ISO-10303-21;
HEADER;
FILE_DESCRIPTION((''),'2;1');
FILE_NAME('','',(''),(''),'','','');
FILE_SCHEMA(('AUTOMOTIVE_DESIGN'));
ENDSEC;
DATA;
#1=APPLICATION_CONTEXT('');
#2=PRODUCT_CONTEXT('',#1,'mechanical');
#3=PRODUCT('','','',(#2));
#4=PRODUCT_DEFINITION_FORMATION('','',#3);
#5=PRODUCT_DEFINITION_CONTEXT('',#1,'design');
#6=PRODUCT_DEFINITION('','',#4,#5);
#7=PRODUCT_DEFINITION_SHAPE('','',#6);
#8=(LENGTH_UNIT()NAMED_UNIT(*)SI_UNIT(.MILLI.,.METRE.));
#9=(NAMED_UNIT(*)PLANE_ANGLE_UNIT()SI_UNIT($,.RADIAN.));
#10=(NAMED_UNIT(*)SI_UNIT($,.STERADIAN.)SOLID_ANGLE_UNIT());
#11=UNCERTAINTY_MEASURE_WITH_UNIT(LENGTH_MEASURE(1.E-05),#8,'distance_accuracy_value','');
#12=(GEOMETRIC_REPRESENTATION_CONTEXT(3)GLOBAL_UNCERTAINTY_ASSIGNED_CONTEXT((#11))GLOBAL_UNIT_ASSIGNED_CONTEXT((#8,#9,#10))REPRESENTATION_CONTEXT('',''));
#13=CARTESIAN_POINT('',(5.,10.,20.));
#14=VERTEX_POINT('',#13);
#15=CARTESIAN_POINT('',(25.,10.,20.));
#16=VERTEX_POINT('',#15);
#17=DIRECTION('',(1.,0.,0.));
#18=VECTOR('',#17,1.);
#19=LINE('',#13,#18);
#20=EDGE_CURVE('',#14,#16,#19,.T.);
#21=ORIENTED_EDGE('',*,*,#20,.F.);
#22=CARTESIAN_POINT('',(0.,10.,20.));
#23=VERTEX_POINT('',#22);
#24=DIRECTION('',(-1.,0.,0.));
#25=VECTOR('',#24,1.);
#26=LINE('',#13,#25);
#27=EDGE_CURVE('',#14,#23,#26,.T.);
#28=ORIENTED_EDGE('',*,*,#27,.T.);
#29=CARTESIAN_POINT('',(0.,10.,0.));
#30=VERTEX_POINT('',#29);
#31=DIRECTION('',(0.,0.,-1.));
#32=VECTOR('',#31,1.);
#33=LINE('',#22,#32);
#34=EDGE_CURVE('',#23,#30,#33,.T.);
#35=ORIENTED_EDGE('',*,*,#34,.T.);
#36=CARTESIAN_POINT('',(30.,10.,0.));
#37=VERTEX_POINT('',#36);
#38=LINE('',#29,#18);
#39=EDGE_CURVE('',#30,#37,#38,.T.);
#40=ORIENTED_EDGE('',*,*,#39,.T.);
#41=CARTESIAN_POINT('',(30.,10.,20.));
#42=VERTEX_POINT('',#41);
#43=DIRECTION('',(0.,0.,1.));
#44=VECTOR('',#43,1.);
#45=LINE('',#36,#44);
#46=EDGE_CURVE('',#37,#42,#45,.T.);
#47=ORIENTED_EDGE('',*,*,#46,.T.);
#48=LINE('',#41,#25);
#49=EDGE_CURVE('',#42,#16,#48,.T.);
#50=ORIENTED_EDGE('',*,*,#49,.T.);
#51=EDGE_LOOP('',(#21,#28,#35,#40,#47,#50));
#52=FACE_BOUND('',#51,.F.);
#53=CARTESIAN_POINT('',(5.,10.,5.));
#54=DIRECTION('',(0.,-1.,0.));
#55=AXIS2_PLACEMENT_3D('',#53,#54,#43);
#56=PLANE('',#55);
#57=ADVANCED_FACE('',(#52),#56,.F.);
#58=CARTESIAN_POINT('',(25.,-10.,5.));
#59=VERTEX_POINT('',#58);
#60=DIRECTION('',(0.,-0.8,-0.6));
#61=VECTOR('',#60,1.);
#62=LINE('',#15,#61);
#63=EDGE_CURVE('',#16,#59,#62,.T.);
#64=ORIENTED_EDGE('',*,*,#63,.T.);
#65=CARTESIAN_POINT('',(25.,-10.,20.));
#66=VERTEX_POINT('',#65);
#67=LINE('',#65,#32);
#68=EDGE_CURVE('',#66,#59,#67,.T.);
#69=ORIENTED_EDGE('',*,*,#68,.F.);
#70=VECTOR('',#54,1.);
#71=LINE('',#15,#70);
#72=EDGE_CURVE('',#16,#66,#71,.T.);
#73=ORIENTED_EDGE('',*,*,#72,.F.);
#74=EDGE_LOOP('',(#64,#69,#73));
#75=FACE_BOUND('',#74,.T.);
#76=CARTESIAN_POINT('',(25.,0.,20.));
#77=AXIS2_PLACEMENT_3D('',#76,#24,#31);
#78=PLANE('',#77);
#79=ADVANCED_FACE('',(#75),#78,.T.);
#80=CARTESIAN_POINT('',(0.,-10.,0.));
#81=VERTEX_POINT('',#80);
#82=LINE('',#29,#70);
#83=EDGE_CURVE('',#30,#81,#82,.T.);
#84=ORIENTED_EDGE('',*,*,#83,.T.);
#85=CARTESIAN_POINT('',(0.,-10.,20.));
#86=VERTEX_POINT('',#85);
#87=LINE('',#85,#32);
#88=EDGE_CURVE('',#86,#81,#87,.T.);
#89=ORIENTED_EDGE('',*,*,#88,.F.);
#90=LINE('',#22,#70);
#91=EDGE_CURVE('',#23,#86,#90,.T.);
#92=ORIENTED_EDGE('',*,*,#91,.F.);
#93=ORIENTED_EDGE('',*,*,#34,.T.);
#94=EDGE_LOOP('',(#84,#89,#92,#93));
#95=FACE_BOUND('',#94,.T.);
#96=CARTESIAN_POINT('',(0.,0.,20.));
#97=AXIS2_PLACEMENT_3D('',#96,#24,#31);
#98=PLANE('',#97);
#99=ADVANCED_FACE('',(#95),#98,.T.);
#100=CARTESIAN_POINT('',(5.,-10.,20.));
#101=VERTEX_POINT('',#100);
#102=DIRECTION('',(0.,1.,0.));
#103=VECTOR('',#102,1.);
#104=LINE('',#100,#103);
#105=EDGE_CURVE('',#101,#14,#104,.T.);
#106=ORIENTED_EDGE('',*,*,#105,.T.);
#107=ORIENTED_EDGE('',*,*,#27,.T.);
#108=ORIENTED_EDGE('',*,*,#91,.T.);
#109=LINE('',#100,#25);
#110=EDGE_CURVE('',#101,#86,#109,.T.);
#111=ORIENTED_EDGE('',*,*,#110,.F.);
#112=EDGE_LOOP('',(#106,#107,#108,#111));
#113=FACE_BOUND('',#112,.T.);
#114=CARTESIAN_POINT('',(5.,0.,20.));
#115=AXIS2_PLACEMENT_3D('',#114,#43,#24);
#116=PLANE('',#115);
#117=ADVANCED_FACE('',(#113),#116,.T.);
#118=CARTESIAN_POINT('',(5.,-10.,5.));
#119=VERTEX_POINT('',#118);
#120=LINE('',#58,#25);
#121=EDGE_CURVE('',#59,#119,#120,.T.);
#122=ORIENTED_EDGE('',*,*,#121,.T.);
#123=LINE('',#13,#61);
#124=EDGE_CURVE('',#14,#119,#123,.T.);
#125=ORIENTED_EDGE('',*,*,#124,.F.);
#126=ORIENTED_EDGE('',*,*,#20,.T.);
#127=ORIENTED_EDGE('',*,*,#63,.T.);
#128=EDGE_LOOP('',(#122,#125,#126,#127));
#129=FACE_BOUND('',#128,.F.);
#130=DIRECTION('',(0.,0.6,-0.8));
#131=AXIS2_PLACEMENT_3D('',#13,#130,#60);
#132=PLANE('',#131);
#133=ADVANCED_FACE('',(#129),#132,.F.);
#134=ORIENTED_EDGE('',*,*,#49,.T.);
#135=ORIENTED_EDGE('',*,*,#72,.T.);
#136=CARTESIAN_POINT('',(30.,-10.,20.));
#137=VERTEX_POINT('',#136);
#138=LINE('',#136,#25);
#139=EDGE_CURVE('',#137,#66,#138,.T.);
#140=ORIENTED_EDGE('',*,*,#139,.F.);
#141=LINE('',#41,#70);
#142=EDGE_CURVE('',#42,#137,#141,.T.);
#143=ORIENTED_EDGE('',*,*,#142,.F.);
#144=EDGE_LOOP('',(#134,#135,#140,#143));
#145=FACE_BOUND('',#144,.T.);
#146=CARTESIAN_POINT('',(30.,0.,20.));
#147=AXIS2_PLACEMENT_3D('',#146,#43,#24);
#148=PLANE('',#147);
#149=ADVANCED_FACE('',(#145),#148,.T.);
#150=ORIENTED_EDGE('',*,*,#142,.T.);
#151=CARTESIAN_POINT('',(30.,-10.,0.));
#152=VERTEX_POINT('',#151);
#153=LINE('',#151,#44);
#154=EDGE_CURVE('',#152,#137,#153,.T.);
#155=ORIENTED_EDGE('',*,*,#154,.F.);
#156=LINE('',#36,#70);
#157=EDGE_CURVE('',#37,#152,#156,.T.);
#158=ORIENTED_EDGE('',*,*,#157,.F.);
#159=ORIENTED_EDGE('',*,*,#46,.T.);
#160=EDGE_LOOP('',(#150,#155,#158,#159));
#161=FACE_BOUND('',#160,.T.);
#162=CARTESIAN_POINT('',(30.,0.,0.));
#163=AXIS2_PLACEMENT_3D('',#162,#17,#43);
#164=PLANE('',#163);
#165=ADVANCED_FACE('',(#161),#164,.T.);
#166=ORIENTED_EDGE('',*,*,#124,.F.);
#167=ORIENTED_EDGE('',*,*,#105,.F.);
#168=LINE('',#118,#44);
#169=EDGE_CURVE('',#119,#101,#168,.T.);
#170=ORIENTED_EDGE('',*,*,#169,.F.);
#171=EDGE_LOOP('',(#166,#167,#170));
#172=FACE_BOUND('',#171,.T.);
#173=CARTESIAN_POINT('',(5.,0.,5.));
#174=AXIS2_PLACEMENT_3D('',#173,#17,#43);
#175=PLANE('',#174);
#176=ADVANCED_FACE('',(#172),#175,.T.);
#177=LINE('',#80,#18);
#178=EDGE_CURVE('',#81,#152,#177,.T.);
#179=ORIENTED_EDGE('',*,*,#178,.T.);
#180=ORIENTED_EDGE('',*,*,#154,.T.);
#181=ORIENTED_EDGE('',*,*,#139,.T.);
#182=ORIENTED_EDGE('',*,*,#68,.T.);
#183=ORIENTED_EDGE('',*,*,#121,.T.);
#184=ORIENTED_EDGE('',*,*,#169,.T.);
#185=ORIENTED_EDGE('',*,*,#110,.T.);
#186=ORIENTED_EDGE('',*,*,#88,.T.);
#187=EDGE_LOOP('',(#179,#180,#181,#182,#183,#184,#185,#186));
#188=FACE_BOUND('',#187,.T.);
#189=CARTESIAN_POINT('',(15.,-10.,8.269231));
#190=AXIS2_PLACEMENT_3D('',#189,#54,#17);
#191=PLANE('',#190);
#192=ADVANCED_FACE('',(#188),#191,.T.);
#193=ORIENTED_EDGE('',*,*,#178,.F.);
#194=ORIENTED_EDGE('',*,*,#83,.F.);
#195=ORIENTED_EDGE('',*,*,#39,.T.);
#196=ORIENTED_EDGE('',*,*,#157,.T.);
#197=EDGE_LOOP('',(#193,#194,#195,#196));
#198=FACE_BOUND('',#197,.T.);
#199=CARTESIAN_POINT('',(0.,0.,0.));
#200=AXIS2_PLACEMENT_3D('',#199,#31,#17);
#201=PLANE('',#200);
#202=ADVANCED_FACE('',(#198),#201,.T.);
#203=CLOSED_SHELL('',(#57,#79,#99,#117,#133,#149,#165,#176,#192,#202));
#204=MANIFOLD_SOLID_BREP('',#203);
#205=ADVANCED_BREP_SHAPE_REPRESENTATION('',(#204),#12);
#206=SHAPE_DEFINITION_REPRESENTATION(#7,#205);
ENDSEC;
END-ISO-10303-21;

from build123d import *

# Parameters (mm, degrees)
F1_DEPTH = 10
F3_DEPTH = 20


with BuildPart() as f1:
    # F0 (on Front) → F1 (new body, symmetric)
    with BuildSketch(Plane.XZ):
        Polygon((5, 20), (0, 20), (0, 0), (30, 0), (30, 20), (25, 20), (25, 5), (5, 5), align=None)
    extrude(amount=F1_DEPTH, both=True)

    # F2 (on face) → F3 (join, through all)
    with BuildSketch(Plane.YZ.offset(5)):
        Polygon((10, 5), (10, 20), (-10, 5), align=None)
    extrude(amount=F3_DEPTH)


solid = f1.part
